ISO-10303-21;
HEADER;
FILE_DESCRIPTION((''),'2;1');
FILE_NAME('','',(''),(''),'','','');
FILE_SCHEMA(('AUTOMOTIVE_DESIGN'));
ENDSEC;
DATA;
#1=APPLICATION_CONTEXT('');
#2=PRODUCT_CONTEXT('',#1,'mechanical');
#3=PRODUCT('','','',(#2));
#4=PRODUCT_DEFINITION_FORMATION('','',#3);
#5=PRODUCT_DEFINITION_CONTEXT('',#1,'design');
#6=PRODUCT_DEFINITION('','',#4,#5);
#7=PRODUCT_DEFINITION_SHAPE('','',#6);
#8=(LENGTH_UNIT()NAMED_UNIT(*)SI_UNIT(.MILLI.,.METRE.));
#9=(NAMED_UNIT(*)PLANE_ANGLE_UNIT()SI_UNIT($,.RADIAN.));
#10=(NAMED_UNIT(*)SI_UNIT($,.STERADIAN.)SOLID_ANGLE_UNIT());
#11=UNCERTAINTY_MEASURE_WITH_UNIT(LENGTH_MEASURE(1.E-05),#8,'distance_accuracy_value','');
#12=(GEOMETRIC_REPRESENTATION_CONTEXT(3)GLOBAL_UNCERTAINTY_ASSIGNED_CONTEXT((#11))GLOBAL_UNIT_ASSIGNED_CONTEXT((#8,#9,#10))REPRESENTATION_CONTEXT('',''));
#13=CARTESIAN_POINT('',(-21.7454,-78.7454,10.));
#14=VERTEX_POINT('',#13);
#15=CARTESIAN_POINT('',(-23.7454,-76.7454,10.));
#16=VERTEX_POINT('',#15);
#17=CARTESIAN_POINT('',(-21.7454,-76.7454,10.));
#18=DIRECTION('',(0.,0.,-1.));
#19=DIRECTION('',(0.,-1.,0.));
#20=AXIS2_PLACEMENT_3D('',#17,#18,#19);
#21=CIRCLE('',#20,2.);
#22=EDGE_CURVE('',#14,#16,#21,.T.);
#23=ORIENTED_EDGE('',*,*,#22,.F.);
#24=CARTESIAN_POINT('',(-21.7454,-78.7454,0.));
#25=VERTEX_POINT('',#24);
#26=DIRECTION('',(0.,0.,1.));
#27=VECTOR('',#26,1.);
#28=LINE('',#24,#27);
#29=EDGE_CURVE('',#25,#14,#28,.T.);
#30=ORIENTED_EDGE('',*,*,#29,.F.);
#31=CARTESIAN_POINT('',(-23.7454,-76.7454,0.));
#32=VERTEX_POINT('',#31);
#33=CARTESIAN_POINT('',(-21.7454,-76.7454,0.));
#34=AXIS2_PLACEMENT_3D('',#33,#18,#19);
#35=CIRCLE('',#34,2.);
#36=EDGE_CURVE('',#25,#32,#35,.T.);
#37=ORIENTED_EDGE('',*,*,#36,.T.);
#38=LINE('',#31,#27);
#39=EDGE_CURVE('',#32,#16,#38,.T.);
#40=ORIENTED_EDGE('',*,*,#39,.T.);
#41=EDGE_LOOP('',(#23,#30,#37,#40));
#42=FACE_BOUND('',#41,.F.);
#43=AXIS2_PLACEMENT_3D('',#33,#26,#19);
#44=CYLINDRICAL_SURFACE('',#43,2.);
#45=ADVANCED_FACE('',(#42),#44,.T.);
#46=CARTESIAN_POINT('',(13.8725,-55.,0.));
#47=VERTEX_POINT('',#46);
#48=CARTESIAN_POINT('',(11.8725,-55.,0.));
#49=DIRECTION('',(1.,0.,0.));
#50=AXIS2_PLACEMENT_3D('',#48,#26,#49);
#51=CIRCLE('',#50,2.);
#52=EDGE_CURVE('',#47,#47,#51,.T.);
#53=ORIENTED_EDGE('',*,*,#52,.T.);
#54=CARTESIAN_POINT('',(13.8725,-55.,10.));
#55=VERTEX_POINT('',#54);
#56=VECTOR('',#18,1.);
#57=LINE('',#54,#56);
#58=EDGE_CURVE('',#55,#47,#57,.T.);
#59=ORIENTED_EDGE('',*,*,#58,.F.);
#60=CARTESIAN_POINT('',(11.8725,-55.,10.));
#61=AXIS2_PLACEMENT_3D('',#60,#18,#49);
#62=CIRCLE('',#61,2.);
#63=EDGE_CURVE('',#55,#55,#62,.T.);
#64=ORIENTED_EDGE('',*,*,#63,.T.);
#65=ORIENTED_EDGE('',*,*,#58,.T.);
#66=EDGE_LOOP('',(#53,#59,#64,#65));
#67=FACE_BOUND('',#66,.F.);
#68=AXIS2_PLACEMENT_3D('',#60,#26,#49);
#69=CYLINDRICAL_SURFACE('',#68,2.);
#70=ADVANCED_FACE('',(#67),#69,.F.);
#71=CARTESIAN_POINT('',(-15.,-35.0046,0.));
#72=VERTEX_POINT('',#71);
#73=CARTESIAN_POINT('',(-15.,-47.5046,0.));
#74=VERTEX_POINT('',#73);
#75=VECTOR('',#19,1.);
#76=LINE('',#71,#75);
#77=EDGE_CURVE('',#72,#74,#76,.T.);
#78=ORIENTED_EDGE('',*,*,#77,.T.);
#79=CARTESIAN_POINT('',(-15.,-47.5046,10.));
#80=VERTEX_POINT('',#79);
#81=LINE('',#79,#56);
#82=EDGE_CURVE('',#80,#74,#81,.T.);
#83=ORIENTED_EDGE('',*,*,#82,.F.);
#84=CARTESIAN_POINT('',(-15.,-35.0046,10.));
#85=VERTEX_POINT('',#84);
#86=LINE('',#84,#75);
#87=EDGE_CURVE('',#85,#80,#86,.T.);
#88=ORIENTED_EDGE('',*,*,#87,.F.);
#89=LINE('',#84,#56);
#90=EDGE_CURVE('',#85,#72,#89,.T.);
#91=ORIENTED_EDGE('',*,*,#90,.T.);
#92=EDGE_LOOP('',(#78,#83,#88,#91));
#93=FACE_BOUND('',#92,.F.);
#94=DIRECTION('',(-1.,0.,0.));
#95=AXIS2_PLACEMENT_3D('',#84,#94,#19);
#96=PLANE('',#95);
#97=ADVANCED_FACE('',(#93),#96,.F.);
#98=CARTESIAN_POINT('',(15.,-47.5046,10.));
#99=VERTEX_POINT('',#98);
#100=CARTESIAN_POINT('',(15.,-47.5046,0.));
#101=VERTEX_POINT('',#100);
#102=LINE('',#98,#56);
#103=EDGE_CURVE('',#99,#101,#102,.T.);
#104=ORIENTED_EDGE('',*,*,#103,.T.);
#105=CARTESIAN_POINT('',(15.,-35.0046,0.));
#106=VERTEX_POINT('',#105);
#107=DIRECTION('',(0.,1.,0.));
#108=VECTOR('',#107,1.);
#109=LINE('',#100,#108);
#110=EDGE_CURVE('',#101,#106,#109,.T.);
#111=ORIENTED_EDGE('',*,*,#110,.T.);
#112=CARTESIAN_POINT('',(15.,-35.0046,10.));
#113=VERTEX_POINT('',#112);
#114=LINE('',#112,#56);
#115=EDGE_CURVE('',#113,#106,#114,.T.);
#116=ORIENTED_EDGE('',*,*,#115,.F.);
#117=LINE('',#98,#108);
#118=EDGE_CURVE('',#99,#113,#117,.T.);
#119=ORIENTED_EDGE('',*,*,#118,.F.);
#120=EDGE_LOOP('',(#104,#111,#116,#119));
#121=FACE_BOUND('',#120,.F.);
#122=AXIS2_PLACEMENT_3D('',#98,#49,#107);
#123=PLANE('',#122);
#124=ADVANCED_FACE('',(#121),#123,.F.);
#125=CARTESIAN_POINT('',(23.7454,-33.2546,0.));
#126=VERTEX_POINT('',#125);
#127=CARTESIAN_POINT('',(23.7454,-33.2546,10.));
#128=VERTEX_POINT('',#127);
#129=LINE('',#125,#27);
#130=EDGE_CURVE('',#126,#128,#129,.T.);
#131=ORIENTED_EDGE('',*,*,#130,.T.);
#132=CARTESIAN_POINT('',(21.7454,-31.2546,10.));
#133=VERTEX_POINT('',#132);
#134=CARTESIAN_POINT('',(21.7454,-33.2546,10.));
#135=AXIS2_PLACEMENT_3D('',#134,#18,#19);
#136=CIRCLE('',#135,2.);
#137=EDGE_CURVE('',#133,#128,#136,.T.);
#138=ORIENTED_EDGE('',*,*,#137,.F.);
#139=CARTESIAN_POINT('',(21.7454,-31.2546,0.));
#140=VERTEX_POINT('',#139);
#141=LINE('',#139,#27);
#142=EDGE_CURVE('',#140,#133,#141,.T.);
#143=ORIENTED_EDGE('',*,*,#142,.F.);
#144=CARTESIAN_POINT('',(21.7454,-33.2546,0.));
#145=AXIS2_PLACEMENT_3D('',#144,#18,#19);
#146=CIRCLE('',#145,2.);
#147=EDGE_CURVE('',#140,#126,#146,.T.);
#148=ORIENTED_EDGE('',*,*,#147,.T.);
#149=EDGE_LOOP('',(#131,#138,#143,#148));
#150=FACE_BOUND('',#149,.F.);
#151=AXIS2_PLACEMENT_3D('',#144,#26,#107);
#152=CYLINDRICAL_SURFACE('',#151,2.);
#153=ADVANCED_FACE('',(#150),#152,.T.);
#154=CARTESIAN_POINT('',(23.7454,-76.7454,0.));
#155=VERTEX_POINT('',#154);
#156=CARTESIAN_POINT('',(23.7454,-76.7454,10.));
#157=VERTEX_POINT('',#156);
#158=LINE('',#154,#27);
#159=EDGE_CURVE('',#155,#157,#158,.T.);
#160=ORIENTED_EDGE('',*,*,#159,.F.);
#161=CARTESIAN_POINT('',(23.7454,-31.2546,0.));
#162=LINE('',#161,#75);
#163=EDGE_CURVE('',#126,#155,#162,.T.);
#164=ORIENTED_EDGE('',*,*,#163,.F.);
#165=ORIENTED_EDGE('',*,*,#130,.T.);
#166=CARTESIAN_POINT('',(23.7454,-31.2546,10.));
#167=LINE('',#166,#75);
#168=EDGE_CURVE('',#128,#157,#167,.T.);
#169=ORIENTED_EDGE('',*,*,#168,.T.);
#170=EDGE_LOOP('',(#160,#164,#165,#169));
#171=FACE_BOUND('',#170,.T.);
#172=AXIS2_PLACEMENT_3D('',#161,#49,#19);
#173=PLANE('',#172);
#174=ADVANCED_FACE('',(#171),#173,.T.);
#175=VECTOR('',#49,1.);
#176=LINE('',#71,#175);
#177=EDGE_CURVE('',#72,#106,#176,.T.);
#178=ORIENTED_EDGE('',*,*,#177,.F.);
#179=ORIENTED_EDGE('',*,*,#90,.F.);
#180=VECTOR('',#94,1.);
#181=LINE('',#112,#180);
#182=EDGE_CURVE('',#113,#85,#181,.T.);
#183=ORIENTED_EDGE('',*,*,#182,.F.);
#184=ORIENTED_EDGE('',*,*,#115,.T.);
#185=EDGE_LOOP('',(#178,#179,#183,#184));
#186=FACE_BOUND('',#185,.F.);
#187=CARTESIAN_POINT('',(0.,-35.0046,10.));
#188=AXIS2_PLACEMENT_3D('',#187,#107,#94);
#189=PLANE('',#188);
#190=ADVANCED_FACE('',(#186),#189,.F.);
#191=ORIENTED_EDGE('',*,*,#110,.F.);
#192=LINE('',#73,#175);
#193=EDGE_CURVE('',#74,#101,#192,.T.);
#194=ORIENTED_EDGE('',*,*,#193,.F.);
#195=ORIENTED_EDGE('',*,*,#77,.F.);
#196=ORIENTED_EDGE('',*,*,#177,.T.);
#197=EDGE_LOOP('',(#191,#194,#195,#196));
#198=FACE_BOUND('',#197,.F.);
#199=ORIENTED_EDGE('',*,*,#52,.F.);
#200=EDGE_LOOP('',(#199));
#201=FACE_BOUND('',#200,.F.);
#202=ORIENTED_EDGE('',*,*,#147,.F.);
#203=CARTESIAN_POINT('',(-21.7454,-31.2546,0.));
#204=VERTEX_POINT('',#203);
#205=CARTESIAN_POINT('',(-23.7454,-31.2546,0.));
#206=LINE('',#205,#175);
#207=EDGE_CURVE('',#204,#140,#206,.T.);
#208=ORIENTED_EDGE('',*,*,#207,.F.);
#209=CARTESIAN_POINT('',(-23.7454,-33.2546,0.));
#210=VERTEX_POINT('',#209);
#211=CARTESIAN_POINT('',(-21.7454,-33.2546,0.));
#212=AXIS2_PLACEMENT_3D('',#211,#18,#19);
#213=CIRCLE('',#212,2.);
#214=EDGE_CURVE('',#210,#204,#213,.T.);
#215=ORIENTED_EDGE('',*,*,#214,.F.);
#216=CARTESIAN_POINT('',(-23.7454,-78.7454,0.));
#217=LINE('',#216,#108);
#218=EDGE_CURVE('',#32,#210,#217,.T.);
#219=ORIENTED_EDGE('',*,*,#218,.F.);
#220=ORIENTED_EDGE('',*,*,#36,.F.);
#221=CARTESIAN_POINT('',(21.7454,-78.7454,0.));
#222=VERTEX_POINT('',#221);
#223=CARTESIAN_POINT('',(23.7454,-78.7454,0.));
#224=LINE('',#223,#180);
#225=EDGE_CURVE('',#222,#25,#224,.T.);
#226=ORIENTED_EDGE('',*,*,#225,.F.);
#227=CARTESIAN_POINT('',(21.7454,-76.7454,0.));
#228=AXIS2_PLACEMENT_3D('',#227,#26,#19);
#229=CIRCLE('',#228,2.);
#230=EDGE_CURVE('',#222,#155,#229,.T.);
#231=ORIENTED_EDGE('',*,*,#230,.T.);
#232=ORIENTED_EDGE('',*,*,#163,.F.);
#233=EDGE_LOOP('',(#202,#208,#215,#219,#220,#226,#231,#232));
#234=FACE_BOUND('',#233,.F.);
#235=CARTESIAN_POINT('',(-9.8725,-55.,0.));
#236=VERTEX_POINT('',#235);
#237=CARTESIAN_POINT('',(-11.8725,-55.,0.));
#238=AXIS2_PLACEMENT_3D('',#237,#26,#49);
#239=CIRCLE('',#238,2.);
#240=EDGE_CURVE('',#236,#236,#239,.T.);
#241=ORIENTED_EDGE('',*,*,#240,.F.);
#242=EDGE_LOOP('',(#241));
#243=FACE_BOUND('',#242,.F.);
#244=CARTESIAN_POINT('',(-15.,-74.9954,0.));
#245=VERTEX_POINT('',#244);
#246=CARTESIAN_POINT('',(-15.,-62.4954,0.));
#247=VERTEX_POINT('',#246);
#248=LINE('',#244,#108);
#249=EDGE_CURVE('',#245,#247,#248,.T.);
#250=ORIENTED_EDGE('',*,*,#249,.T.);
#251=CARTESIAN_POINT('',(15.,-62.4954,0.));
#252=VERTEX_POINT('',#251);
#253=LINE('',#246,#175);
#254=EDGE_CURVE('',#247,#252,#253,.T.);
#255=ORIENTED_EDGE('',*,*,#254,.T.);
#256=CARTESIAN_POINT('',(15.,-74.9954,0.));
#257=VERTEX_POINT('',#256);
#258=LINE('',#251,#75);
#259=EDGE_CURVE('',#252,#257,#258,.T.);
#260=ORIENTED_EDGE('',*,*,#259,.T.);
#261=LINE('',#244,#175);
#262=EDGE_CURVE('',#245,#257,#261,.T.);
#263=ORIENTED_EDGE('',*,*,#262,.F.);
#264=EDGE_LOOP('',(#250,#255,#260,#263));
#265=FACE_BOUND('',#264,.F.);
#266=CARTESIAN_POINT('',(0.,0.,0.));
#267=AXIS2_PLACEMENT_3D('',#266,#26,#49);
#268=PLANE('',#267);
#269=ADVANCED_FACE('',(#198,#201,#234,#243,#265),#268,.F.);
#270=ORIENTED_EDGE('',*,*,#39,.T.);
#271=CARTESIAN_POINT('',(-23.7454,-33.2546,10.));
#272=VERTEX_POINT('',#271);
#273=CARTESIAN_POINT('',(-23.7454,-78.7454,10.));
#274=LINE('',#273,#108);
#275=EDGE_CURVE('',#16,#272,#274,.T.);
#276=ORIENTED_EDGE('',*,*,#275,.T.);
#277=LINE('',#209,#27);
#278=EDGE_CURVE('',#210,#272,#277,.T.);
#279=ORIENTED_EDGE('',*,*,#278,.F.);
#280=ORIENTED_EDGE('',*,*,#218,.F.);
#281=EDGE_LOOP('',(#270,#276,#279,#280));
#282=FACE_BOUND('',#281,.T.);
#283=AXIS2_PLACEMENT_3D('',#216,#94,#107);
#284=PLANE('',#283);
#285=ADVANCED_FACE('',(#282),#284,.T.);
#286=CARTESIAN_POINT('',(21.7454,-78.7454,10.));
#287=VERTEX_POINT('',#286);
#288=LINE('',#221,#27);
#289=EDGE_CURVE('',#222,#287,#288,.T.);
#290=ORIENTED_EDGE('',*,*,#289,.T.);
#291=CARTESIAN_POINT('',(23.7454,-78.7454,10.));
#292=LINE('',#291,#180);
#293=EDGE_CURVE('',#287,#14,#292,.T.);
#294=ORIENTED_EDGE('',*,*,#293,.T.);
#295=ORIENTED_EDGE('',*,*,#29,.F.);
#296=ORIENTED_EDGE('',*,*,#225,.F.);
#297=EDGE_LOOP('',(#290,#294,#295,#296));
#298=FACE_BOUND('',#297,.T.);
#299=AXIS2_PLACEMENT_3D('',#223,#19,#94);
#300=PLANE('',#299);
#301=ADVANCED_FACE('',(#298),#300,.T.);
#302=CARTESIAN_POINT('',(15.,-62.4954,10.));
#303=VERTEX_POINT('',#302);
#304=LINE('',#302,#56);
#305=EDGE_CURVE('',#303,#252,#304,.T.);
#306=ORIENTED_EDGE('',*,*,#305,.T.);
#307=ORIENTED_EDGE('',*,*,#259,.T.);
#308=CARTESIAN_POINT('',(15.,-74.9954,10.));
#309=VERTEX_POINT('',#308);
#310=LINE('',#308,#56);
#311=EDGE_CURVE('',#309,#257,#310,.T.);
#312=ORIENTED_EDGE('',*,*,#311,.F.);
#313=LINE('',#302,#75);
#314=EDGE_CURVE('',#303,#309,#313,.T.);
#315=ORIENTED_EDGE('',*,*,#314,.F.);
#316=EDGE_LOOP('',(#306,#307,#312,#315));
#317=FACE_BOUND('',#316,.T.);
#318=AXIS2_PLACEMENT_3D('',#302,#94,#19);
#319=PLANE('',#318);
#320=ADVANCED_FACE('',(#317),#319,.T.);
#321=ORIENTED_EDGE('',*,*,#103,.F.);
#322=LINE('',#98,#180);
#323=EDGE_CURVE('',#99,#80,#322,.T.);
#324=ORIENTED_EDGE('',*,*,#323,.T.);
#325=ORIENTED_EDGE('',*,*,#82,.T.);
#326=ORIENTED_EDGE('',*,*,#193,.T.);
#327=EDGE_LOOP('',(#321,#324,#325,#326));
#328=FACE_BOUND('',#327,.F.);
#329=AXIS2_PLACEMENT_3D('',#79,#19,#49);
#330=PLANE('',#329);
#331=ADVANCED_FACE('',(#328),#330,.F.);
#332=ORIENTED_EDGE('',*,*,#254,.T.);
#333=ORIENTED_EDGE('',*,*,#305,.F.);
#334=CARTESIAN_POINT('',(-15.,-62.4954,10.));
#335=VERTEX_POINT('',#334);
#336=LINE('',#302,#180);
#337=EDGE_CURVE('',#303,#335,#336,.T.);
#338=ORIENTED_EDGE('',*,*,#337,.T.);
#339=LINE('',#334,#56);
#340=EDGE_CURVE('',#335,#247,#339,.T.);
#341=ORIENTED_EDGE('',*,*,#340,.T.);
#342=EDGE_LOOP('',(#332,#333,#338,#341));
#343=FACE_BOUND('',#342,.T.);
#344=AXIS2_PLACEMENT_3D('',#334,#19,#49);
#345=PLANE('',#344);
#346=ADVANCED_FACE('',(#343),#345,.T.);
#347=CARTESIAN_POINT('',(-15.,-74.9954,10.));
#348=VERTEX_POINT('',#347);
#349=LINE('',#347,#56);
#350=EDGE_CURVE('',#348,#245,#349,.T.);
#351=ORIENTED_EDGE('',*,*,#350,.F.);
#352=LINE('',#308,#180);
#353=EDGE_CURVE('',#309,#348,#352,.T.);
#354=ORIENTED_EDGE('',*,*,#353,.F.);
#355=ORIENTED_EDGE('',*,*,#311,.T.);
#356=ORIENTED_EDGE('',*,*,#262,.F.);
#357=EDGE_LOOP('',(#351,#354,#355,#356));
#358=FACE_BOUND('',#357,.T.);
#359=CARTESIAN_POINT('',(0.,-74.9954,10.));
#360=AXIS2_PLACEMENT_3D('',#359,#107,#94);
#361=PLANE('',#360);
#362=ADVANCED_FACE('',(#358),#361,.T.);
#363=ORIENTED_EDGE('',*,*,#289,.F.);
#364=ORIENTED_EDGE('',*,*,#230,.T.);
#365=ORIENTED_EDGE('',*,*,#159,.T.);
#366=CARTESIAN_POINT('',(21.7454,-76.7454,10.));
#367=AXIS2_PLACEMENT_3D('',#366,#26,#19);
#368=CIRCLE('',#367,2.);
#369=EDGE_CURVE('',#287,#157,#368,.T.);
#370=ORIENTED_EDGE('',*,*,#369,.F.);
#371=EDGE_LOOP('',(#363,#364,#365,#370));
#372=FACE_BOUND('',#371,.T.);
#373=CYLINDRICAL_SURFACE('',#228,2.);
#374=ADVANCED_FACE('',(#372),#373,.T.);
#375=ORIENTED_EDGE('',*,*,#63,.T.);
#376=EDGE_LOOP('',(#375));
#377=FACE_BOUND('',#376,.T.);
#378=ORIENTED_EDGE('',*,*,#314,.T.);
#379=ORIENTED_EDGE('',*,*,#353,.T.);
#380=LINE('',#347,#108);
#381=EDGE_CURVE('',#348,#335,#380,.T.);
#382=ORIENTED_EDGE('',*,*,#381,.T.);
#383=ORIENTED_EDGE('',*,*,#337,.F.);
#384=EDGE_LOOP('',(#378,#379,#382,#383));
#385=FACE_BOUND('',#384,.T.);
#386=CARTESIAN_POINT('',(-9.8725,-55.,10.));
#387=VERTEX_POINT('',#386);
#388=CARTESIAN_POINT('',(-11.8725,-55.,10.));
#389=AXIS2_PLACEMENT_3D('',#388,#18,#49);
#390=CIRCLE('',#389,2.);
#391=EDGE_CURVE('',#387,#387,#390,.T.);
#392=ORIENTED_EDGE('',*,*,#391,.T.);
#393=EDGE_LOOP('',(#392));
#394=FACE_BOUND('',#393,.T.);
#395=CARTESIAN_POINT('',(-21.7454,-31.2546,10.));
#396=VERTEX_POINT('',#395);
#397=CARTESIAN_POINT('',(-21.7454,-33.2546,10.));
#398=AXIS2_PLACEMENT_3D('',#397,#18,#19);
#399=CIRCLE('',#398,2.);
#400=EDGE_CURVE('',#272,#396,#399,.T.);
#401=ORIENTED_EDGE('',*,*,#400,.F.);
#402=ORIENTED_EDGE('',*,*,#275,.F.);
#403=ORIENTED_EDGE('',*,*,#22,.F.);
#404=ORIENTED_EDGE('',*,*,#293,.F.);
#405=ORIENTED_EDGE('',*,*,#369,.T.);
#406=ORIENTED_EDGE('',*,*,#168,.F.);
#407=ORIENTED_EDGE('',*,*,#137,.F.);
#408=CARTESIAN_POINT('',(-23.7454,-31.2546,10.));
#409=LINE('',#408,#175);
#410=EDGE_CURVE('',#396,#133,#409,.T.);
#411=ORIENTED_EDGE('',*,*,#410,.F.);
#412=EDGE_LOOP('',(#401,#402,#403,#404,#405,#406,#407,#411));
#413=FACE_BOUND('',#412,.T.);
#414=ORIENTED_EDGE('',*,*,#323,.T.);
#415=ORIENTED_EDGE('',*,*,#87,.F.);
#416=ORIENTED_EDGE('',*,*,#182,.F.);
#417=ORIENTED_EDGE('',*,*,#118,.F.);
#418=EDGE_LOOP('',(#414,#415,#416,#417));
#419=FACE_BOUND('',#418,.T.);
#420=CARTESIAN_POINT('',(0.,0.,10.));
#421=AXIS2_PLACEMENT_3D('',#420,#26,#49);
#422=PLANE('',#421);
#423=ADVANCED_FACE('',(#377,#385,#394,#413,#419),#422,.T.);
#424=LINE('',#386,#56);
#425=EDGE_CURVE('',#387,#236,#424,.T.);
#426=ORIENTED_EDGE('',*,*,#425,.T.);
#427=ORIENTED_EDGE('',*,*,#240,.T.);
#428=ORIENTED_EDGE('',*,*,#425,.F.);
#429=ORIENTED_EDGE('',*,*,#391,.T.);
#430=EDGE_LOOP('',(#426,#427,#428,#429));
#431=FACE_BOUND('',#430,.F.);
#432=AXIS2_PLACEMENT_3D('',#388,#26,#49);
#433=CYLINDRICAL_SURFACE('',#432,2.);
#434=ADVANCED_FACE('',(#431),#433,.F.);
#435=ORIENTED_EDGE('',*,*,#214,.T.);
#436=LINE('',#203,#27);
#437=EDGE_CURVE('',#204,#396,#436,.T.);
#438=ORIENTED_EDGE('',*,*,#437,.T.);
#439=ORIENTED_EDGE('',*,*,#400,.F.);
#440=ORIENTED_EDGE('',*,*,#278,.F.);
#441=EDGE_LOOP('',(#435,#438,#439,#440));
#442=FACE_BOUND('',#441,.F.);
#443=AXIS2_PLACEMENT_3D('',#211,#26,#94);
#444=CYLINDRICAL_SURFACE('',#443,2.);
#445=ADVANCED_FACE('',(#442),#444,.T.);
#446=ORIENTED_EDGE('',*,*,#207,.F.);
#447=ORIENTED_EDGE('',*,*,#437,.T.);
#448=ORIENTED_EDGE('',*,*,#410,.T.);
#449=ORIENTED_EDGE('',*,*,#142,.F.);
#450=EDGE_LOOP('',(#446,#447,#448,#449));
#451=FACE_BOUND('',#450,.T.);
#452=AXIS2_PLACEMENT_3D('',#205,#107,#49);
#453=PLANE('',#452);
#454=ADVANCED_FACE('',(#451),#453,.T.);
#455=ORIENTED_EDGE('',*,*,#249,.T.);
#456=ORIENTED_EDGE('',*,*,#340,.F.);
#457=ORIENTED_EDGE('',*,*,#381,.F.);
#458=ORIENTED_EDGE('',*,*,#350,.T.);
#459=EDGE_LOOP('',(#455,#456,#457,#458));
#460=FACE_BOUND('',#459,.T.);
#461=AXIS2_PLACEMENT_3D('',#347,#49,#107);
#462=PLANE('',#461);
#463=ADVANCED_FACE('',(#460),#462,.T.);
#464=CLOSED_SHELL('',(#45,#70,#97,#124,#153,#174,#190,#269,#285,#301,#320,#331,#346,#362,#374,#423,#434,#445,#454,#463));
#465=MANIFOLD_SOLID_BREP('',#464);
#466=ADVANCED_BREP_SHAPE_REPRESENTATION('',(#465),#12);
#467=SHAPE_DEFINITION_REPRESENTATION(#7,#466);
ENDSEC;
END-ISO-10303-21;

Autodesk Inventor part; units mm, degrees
ref_plane "YZ Plane" through (0, 0, 0) normal (1, 0, 0) x (0, 1, 0)
ref_plane "XZ Plane" through (0, 0, 0) normal (0, 1, 0) x (-1, 0, 0)
ref_plane "XY Plane" through (0, 0, 0) normal (0, 0, 1) x (1, 0, 0)
ref_plane "РабПлоскость1" through (0, 0, 0) normal (0, 0, 1) x (1, 0, 0)
sketch "Эскиз1" plane through (0, 0, 0) normal (0, 0, 1) x (1, 0, 0)
  line L0 (-20, -75) -> (20, -35) construction
  line L1 (20, -75) -> (-20, -35) construction
  line L2 (51, -62.7546) -> (51, 0.2454) projected
  line L3 (-51, 0.2454) -> (-51, -62.7546) projected
  line L4 (23.7454, -78.7454) -> (-23.7454, -78.7454)
  line L5 (-23.7454, -78.7454) -> (-23.7454, -31.2546)
  line L6 (-23.7454, -31.2546) -> (23.7454, -31.2546)
  line L7 (23.7454, -31.2546) -> (23.7454, -78.7454)
  line L8 (23.7454, -78.7454) -> (-23.7454, -31.2546) construction
  line L9 (-23.7454, -78.7454) -> (23.7454, -31.2546) construction
  point P0 (0, 0)
  point P1 (0, -55)
  point P2 (0, -55)
  dimension "d0" = 40
  dimension "d1" = 40
  dimension "d2" = 55
  dimension "d3" = 51
extrude "Выдавливание1" add sketch "Эскиз1" along normal blind 10
fillet "Сопряжение1" radius 2 4 edges at (-23.7454, -78.7454, 5) (23.7454, -78.7454, 5) (23.7454, -31.2546, 5) (-23.7454, -31.2546, 5)
sketch "Эскиз2" plane through (0, 0, 10) normal (0, 0, 1) x (1, 0, 0)
  line L0 (21.7454, -31.2546) -> (-21.7454, -31.2546) projected
  line L1 (0, -31.2546) -> (0, -78.7454)
  line L2 (-21.7454, -78.7454) -> (21.7454, -78.7454) projected
  line L3 (-23.7454, -33.2546) -> (-23.7454, -76.7454) projected
  line L4 (-23.7454, -55) -> (23.7454, -55)
  line L5 (23.7454, -76.7454) -> (23.7454, -33.2546) projected
  line L6 (0, -55) -> (-11.8725, -55)
  circle A0 centre (-11.8725, -55) radius 2
  circle A1 centre (11.8725, -55) radius 2
  point P0 (0, 0)
  dimension "d7" = 11.8725
  dimension "d8" = 4
extrude "Выдавливание2" cut sketch "Эскиз2" against normal blind 10
sketch "Эскиз3" plane through (0, 0, 10) normal (0, 0, 1) x (1, 0, 0)
  line L0 (-21.7454, -78.7454) -> (21.7454, -78.7454) projected
  line L1 (0, -78.7454) -> (0, -31.2546)
  line L2 (21.7454, -31.2546) -> (-21.7454, -31.2546) projected
  line L3 (-23.7454, -33.2546) -> (-23.7454, -76.7454) projected
  line L4 (-23.7454, -55) -> (23.7454, -55)
  line L5 (23.7454, -76.7454) -> (23.7454, -33.2546) projected
  line L6 (15, -74.9954) -> (-15, -74.9954)
  line L7 (-15, -74.9954) -> (-15, -62.4954)
  line L8 (-15, -62.4954) -> (15, -62.4954)
  line L9 (15, -62.4954) -> (15, -74.9954)
  line L10 (15, -74.9954) -> (-15, -62.4954) construction
  line L11 (-15, -74.9954) -> (15, -62.4954) construction
  line L12 (-21.7454, -78.7454) -> (21.7454, -78.7454) projected
  line L13 (15, -35.0046) -> (-15, -35.0046)
  line L14 (-15, -35.0046) -> (-15, -47.5046)
  line L15 (-15, -47.5046) -> (15, -47.5046)
  line L16 (15, -47.5046) -> (15, -35.0046)
  point P0 (0, 0)
  point P1 (0, -68.7454)
  dimension "d11" = 30
  dimension "d12" = 12.5
  dimension "d13" = 10
extrude "Выдавливание3" cut sketch "Эскиз3" against normal blind 10
properties part number "голова"
